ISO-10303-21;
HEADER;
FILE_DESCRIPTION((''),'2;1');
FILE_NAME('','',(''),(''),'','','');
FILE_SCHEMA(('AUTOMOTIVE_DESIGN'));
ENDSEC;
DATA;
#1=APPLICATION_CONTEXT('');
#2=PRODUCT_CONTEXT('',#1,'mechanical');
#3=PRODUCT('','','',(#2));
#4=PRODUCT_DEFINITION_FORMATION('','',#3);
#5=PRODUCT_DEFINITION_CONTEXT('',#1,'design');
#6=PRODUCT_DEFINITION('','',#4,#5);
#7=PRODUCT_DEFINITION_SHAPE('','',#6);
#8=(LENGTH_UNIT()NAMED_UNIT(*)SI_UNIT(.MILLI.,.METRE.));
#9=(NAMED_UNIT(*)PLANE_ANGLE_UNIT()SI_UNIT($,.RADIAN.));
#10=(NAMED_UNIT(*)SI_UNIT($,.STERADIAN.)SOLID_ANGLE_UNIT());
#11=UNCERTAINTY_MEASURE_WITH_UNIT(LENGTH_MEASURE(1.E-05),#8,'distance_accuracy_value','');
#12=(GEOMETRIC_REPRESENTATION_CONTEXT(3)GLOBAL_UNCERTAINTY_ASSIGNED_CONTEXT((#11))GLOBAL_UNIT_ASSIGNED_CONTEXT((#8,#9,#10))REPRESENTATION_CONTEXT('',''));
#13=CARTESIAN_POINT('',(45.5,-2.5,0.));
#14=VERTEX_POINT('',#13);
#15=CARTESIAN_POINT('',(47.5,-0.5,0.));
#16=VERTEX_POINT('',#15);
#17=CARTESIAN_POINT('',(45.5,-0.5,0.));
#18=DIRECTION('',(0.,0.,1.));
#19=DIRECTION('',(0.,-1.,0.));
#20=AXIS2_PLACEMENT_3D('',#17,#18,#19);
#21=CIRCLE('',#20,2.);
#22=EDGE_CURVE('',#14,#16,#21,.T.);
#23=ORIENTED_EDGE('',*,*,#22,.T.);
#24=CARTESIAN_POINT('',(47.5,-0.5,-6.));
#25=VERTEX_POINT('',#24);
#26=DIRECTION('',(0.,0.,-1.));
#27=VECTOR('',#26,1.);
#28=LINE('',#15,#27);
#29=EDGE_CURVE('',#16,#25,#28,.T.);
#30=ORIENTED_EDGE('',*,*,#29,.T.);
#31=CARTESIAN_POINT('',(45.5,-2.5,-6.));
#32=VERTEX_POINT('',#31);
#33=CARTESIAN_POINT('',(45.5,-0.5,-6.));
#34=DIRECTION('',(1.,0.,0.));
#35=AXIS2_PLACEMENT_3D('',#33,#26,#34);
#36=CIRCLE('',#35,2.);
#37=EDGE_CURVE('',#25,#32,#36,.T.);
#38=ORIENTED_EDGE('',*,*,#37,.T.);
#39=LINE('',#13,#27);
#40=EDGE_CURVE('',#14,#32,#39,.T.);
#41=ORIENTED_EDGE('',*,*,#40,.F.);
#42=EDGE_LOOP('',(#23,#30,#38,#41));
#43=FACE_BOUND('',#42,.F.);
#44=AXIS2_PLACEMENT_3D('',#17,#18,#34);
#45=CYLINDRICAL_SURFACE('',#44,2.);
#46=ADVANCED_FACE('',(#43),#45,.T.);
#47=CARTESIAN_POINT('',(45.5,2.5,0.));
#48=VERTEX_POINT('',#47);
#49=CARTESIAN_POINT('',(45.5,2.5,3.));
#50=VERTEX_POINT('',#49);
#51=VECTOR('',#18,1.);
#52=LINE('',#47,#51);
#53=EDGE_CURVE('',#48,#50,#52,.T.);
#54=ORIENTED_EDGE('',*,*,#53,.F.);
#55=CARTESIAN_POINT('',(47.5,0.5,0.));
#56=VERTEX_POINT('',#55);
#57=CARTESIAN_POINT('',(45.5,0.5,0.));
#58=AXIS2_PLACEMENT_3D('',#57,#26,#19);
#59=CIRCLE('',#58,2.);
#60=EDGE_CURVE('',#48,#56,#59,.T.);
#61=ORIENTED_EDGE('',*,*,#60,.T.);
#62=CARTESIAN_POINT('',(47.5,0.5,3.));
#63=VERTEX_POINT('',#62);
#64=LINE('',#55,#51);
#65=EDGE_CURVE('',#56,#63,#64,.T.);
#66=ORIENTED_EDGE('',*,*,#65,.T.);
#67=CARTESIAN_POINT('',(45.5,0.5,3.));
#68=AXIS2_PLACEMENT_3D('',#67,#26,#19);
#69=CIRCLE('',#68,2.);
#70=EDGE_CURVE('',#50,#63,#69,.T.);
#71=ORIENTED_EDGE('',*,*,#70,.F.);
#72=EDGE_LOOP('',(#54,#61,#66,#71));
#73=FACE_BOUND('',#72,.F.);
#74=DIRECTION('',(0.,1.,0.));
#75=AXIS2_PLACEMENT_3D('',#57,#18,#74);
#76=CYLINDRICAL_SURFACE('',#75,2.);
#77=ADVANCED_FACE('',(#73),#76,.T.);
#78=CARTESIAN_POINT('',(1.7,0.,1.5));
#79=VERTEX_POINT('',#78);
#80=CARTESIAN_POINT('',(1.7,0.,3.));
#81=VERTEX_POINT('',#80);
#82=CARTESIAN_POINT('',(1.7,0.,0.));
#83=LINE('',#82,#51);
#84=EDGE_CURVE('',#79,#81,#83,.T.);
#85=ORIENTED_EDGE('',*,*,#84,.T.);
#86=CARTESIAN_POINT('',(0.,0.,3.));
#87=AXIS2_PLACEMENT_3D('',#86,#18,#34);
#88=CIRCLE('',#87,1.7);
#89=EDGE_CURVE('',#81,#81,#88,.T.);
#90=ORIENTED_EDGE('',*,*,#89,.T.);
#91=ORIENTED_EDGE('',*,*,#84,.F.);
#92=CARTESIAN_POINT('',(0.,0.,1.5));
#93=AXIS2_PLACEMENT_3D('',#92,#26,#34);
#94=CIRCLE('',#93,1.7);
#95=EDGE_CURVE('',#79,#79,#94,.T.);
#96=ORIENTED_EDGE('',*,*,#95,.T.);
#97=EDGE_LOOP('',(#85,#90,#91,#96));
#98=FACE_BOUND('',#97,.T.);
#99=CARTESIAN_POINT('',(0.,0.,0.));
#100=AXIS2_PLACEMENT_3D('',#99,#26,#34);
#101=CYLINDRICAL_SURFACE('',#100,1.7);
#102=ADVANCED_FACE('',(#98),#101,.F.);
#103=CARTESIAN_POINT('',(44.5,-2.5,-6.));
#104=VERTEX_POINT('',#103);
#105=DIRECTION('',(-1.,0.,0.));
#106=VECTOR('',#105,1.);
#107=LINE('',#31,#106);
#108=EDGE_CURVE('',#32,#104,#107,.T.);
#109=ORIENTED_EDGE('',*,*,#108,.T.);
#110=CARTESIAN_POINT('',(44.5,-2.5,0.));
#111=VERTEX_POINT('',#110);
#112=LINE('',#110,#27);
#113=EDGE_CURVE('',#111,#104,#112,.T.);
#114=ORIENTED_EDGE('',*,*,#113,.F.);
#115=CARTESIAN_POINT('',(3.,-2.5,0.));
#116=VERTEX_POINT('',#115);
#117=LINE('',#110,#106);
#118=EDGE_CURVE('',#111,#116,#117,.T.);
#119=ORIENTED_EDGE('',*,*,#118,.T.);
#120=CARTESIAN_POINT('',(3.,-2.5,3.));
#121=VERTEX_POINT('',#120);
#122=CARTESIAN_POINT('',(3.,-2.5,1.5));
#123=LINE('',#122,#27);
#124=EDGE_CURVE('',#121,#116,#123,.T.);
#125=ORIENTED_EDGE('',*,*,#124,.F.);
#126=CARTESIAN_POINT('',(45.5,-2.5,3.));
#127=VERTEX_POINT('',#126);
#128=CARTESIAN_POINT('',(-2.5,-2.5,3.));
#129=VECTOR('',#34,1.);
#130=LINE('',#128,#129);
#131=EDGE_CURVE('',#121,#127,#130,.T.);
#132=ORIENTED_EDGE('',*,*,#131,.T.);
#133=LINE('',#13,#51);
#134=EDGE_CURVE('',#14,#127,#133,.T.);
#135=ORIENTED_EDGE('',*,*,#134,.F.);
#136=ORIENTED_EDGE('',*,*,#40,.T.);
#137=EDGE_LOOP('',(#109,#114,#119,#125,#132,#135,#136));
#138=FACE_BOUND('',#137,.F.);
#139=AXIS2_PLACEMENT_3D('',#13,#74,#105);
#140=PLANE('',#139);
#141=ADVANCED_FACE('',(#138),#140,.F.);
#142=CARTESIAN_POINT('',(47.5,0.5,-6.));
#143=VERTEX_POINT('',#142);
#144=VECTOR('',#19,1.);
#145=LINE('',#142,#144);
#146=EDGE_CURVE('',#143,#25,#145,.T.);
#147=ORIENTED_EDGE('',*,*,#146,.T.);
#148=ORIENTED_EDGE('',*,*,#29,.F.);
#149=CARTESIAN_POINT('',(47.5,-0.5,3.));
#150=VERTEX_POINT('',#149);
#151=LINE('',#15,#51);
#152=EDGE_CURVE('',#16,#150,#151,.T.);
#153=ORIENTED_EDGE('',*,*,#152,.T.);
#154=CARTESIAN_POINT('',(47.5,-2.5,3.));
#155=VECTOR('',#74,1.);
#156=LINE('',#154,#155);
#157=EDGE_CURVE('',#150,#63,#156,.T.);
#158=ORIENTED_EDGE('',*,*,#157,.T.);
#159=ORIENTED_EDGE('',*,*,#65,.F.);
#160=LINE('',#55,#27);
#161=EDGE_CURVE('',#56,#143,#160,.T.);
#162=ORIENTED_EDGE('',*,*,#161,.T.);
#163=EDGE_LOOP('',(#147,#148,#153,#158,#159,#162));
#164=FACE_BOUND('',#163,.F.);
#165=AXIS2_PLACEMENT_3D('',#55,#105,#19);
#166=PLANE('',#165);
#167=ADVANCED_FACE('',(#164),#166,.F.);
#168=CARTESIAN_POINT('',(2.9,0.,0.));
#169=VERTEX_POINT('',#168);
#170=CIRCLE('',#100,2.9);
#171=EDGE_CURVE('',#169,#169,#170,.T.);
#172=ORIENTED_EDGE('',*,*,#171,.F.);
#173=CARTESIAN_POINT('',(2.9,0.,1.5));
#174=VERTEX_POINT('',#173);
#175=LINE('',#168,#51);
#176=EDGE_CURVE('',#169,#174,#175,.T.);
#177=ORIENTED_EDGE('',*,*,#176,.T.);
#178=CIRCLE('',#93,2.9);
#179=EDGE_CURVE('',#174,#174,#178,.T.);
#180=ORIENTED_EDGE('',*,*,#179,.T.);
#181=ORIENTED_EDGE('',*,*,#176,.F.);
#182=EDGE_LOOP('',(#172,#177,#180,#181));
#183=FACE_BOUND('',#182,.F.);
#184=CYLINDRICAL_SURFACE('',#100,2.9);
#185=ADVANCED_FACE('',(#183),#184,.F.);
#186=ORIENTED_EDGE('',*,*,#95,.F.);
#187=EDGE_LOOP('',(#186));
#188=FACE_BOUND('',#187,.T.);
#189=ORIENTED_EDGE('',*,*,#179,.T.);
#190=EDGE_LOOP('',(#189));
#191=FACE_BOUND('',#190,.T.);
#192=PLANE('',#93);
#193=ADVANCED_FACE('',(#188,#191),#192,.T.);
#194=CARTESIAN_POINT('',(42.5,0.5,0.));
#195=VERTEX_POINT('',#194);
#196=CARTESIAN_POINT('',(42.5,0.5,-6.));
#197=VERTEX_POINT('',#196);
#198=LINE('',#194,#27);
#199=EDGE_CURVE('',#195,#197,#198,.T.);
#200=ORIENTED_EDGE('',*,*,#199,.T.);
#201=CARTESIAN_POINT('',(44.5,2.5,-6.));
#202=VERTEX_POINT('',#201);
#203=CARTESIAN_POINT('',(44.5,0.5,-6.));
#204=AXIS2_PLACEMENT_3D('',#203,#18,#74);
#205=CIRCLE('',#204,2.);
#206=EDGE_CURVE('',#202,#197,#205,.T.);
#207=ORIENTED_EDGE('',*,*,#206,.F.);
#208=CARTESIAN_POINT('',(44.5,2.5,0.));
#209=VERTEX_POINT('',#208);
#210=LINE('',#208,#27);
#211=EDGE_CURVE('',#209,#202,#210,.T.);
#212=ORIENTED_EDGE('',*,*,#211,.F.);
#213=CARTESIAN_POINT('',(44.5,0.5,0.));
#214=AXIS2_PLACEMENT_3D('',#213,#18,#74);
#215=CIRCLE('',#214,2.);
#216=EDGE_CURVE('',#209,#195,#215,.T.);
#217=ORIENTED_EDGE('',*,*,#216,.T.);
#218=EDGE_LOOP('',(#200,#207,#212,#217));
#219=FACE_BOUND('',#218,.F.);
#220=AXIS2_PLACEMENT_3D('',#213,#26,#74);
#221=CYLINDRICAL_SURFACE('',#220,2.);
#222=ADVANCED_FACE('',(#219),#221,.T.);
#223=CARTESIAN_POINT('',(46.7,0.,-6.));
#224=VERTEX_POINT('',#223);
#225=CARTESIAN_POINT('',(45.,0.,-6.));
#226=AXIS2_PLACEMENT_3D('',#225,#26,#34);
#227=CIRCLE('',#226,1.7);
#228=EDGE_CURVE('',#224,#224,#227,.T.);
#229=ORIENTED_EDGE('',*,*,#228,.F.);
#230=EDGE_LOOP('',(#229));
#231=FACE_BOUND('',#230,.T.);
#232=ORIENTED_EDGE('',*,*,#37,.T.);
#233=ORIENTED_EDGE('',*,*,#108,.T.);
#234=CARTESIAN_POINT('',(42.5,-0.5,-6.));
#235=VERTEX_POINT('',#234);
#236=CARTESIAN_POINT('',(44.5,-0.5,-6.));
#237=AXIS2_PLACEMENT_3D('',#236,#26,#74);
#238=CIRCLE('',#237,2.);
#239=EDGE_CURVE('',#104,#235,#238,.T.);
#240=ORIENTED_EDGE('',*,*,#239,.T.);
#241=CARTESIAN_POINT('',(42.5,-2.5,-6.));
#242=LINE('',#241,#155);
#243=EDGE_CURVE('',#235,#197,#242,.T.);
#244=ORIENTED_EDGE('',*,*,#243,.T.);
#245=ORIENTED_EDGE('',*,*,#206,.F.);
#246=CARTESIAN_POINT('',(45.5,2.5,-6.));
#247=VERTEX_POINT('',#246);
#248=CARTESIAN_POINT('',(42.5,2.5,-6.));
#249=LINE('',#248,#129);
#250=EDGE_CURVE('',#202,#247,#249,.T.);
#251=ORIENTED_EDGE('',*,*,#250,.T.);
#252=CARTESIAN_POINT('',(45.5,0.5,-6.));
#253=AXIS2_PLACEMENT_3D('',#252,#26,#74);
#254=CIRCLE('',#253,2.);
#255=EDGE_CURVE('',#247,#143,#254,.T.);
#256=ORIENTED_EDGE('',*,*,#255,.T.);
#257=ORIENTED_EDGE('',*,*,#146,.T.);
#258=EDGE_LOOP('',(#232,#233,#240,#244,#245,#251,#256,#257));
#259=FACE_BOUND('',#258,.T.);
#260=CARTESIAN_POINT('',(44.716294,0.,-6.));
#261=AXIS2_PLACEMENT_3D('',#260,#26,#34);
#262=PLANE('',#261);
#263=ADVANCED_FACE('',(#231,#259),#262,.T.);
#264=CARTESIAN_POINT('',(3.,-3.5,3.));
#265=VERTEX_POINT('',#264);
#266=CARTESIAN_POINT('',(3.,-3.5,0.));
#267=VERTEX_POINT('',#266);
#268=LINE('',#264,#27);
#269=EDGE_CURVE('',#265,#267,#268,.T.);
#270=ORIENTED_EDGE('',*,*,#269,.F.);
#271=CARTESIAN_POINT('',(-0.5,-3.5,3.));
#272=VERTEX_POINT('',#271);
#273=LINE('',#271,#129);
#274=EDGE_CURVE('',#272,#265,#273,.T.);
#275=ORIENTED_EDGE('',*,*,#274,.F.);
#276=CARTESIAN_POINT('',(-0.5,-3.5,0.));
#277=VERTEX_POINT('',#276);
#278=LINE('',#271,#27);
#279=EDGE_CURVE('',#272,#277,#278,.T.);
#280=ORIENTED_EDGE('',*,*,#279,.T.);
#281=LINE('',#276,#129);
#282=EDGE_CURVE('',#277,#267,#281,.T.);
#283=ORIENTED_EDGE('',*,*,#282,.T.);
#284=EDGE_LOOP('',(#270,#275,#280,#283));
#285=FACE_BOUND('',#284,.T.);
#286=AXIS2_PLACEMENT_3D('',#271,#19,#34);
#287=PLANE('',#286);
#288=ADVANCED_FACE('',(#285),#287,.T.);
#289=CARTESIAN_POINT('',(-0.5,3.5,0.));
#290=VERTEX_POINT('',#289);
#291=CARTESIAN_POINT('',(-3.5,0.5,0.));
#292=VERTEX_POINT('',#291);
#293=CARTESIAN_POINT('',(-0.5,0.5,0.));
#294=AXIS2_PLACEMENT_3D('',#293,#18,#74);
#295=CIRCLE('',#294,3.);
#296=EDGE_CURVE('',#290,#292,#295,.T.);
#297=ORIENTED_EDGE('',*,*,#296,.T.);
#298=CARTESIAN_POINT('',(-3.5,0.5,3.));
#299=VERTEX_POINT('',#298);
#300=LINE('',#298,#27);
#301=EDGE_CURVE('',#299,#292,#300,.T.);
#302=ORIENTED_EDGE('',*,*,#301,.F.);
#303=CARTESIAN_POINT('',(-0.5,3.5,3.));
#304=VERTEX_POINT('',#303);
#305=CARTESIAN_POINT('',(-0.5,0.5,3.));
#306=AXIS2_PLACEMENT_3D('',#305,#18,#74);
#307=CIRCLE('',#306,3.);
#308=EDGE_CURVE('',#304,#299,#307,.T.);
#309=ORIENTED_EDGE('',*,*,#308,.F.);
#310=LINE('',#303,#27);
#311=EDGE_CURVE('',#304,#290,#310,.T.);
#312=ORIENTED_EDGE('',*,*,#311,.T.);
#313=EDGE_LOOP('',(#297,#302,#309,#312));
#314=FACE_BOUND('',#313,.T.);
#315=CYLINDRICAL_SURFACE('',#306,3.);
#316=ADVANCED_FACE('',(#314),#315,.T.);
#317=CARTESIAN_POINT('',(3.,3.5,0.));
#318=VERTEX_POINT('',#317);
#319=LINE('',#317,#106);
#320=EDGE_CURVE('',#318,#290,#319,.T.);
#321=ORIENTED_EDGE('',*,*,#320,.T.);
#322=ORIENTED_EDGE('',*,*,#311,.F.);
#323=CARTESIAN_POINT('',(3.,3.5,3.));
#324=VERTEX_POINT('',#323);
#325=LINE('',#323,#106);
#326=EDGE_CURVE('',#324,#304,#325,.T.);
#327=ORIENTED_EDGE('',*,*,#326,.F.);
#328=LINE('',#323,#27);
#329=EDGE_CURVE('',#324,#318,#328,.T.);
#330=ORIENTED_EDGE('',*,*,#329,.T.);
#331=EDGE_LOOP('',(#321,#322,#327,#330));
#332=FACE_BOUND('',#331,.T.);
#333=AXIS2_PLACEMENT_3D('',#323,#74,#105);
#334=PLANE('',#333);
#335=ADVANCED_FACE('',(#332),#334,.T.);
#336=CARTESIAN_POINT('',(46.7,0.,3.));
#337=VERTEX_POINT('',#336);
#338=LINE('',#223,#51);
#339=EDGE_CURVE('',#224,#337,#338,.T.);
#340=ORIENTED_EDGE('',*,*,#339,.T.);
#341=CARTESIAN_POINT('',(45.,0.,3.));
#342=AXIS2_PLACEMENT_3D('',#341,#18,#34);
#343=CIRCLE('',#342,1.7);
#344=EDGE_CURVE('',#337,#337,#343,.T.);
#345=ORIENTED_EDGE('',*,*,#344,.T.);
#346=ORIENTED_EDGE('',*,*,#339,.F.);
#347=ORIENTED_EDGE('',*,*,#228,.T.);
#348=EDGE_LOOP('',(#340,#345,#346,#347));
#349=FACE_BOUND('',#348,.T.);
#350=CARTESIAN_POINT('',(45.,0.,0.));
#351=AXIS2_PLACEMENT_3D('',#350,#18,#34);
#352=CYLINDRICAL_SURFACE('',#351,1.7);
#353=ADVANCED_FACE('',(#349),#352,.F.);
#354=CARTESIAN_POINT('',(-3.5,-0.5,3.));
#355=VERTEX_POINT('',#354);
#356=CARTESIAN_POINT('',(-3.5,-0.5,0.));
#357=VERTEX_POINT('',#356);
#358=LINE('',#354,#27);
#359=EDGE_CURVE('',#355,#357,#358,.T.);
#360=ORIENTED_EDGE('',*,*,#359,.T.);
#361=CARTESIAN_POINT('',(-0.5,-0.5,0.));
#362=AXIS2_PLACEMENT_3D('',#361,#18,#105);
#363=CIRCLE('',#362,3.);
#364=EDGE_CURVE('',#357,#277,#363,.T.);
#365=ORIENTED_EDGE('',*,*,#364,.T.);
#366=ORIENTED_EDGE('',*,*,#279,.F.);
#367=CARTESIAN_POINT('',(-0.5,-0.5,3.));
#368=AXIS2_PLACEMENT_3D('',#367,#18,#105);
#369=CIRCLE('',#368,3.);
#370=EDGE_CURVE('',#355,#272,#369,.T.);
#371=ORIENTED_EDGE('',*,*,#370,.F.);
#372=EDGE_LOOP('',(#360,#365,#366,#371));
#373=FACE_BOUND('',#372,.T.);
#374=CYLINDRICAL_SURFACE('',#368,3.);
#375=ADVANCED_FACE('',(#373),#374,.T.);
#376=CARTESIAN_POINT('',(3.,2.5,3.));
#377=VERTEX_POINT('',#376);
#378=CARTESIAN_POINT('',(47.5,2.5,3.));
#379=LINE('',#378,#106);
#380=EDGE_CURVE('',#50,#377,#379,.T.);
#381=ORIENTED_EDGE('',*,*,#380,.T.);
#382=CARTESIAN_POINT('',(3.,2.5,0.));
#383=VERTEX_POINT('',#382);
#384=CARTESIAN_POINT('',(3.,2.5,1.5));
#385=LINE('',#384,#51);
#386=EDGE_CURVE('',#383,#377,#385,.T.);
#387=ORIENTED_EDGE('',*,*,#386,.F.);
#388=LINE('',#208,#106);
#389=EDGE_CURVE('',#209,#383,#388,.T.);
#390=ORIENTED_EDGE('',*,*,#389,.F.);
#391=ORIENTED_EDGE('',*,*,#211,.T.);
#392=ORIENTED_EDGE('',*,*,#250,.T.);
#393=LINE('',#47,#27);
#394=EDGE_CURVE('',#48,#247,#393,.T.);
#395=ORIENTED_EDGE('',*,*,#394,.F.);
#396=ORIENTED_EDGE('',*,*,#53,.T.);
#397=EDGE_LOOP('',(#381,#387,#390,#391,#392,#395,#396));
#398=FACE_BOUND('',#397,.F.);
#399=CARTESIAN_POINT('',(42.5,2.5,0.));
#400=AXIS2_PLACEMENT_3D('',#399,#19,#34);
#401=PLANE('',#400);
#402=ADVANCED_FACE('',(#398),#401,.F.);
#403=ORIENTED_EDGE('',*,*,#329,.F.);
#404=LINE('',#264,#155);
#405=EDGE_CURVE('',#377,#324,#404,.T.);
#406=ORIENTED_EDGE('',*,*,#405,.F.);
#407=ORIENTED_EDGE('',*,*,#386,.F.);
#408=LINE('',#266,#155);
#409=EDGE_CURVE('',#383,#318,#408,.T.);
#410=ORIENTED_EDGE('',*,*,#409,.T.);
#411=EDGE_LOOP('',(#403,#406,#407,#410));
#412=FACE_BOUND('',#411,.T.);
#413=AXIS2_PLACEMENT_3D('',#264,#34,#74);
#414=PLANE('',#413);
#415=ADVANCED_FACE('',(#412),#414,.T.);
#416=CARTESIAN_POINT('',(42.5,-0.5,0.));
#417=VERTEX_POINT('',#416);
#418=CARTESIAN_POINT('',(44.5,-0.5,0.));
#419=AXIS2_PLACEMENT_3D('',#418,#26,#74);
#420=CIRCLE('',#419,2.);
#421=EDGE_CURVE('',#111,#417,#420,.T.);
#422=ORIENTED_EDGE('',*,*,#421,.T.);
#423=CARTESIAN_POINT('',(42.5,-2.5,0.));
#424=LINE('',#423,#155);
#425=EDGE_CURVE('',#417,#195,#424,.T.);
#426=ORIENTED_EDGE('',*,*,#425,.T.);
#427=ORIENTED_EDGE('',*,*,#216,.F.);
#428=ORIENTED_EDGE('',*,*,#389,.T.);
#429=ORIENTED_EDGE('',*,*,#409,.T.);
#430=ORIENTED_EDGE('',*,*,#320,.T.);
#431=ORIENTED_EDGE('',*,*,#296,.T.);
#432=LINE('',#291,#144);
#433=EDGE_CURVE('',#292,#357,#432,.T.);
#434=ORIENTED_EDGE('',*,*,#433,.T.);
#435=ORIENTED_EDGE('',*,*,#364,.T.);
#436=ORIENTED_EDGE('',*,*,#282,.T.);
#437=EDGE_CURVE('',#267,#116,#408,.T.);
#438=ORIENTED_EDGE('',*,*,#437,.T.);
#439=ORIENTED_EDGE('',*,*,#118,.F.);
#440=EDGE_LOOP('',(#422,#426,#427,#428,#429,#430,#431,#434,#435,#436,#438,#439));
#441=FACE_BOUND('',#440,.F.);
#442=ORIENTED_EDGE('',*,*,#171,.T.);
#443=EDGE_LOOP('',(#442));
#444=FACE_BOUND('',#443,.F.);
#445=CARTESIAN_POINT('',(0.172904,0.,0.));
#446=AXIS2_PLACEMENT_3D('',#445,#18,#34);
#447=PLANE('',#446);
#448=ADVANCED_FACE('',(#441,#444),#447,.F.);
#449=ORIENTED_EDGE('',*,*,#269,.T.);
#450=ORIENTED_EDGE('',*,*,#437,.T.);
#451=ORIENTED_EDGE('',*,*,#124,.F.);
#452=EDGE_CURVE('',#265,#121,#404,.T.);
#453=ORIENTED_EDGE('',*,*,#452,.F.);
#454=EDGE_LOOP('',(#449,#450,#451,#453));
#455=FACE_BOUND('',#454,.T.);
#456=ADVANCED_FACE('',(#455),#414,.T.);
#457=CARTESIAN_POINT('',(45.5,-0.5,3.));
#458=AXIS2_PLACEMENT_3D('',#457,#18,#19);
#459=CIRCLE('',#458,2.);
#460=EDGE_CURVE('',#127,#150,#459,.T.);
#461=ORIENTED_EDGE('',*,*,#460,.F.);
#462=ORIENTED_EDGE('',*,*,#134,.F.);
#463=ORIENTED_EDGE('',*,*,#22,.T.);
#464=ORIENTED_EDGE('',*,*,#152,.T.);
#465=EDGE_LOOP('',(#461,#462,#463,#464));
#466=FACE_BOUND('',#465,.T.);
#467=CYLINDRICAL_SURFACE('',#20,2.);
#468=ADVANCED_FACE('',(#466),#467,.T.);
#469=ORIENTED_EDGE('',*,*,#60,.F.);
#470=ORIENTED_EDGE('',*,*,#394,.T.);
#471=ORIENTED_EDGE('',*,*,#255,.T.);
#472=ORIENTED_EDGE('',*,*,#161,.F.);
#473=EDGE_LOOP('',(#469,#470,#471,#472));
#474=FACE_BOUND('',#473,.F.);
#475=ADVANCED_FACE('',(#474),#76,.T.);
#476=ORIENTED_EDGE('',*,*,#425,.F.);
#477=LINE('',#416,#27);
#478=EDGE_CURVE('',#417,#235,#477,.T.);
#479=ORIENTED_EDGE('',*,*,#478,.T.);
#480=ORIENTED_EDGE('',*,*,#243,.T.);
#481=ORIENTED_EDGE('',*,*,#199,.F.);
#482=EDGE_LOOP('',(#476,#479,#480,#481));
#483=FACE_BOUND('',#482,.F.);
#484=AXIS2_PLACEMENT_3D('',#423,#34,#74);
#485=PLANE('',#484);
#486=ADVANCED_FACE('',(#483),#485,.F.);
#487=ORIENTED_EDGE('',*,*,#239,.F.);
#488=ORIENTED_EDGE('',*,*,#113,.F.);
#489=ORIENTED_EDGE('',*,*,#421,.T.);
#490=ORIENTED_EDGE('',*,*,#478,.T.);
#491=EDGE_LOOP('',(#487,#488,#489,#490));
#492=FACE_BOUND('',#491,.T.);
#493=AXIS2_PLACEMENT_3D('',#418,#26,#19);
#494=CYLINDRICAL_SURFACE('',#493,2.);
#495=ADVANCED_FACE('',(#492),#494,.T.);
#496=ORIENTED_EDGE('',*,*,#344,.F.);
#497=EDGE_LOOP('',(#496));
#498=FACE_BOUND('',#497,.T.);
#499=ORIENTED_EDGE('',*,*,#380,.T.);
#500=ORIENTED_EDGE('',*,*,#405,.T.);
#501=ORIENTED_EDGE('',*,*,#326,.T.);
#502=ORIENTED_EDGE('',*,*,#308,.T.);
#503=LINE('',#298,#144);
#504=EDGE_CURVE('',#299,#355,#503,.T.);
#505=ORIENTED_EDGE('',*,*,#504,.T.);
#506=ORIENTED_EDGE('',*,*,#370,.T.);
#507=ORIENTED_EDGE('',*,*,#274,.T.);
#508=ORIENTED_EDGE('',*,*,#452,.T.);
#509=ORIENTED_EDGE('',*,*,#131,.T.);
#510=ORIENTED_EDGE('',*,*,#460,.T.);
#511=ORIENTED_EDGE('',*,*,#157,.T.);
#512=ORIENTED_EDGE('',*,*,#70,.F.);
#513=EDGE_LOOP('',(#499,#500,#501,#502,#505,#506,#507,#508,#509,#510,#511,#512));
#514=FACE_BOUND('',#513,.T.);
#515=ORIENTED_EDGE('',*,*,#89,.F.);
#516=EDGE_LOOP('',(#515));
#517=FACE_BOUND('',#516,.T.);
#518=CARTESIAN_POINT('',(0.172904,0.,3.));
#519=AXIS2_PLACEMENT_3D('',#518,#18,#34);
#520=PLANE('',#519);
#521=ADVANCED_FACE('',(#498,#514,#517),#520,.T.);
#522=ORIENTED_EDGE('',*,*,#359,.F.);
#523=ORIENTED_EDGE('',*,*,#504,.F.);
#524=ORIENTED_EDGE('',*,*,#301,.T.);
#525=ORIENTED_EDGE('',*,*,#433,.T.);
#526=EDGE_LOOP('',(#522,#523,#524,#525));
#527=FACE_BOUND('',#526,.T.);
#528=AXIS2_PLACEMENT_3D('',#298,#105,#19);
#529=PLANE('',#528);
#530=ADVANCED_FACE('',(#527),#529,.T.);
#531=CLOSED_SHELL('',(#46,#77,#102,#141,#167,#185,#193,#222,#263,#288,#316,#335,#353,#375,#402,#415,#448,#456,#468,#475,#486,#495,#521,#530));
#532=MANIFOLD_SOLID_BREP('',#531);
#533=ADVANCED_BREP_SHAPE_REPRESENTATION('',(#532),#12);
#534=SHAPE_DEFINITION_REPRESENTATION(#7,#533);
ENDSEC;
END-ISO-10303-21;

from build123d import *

# Parameters (mm, degrees)
F0_R     = 1.7
F1_DEPTH = 3
F2_R     = 2
F3_R     = 1.7
F4_DEPTH = 6
F5_R     = 2
F6_R     = 1.7
F7_DEPTH = 3
F8_R     = 2.9
F9_DEPTH = 1.5


with BuildPart() as f1:
    # F0 (on Top) → F1 (new body)
    with BuildSketch(Plane.XY):
        Polygon((-2.5, 2.5), (-2.5, 0), (-2.5, -2.5), (47.5, -2.5), (47.5, 0), (47.5, 2.5), align=None)
        Circle(F0_R, mode=Mode.SUBTRACT)
        with Locations((45, 0)):
            Circle(F0_R, mode=Mode.SUBTRACT)
    extrude(amount=F1_DEPTH)

    # F2
    f2_edges = [f1.edges().sort_by_distance(p)[0] for p in [
        (-2.5, 2.5, 1.5),
        (-2.5, -2.5, 1.5),
        (47.5, 2.5, 1.5),
        (47.5, -2.5, 1.5),
    ]]
    fillet(f2_edges, radius=F2_R)

    # F3 (on face) → F4 (join)
    with BuildSketch(Plane(origin=(0, 0, 0), x_dir=(1, 0, 0), z_dir=(0, 0, -1))):
        with BuildLine():
            Line((42.5, -2.5), (45.5, -2.5))
            ThreePointArc((45.5, -2.5), (46.9142135624, -1.9142135624), (47.5, -0.5))
            Line((47.5, -0.5), (47.5, 0.5))
            ThreePointArc((47.5, 0.5), (46.9142135624, 1.9142135624), (45.5, 2.5))
            Line((45.5, 2.5), (42.5, 2.5))
            Line((42.5, 2.5), (42.5, -2.5))
        make_face()
        with Locations((45, 0)):
            Circle(F3_R, mode=Mode.SUBTRACT)
    extrude(amount=F4_DEPTH)

    # F5
    f5_edges = [f1.edges().sort_by_distance(p)[0] for p in [
        (42.5, 2.5, -3),
        (42.5, -2.5, -3),
    ]]
    fillet(f5_edges, radius=F5_R)

    # F6 (on face) → F7 (join, through all)
    with BuildSketch(Plane.XY.offset(3)):
        with BuildLine():
            ThreePointArc((-0.5, 3.5), (-2.6213203436, 2.6213203436), (-3.5, 0.5))
            Line((-3.5, 0.5), (-3.5, -0.5))
            ThreePointArc((-3.5, -0.5), (-2.6213203436, -2.6213203436), (-0.5, -3.5))
            Line((-0.5, -3.5), (3, -3.5))
            Line((3, -3.5), (3, -2.5))
            Line((3, -2.5), (3, 2.5))
            Line((3, 2.5), (3, 3.5))
            Line((3, 3.5), (-0.5, 3.5))
        make_face()
        Circle(F6_R, mode=Mode.SUBTRACT)
    extrude(amount=-F7_DEPTH)

    # F8 (on face) → F9 (cut)
    with BuildSketch(Plane(origin=(0, 0, 0), x_dir=(1, 0, 0), z_dir=(0, 0, -1))):
        Circle(F8_R)
    extrude(amount=-F9_DEPTH, mode=Mode.SUBTRACT)


solid = f1.part
